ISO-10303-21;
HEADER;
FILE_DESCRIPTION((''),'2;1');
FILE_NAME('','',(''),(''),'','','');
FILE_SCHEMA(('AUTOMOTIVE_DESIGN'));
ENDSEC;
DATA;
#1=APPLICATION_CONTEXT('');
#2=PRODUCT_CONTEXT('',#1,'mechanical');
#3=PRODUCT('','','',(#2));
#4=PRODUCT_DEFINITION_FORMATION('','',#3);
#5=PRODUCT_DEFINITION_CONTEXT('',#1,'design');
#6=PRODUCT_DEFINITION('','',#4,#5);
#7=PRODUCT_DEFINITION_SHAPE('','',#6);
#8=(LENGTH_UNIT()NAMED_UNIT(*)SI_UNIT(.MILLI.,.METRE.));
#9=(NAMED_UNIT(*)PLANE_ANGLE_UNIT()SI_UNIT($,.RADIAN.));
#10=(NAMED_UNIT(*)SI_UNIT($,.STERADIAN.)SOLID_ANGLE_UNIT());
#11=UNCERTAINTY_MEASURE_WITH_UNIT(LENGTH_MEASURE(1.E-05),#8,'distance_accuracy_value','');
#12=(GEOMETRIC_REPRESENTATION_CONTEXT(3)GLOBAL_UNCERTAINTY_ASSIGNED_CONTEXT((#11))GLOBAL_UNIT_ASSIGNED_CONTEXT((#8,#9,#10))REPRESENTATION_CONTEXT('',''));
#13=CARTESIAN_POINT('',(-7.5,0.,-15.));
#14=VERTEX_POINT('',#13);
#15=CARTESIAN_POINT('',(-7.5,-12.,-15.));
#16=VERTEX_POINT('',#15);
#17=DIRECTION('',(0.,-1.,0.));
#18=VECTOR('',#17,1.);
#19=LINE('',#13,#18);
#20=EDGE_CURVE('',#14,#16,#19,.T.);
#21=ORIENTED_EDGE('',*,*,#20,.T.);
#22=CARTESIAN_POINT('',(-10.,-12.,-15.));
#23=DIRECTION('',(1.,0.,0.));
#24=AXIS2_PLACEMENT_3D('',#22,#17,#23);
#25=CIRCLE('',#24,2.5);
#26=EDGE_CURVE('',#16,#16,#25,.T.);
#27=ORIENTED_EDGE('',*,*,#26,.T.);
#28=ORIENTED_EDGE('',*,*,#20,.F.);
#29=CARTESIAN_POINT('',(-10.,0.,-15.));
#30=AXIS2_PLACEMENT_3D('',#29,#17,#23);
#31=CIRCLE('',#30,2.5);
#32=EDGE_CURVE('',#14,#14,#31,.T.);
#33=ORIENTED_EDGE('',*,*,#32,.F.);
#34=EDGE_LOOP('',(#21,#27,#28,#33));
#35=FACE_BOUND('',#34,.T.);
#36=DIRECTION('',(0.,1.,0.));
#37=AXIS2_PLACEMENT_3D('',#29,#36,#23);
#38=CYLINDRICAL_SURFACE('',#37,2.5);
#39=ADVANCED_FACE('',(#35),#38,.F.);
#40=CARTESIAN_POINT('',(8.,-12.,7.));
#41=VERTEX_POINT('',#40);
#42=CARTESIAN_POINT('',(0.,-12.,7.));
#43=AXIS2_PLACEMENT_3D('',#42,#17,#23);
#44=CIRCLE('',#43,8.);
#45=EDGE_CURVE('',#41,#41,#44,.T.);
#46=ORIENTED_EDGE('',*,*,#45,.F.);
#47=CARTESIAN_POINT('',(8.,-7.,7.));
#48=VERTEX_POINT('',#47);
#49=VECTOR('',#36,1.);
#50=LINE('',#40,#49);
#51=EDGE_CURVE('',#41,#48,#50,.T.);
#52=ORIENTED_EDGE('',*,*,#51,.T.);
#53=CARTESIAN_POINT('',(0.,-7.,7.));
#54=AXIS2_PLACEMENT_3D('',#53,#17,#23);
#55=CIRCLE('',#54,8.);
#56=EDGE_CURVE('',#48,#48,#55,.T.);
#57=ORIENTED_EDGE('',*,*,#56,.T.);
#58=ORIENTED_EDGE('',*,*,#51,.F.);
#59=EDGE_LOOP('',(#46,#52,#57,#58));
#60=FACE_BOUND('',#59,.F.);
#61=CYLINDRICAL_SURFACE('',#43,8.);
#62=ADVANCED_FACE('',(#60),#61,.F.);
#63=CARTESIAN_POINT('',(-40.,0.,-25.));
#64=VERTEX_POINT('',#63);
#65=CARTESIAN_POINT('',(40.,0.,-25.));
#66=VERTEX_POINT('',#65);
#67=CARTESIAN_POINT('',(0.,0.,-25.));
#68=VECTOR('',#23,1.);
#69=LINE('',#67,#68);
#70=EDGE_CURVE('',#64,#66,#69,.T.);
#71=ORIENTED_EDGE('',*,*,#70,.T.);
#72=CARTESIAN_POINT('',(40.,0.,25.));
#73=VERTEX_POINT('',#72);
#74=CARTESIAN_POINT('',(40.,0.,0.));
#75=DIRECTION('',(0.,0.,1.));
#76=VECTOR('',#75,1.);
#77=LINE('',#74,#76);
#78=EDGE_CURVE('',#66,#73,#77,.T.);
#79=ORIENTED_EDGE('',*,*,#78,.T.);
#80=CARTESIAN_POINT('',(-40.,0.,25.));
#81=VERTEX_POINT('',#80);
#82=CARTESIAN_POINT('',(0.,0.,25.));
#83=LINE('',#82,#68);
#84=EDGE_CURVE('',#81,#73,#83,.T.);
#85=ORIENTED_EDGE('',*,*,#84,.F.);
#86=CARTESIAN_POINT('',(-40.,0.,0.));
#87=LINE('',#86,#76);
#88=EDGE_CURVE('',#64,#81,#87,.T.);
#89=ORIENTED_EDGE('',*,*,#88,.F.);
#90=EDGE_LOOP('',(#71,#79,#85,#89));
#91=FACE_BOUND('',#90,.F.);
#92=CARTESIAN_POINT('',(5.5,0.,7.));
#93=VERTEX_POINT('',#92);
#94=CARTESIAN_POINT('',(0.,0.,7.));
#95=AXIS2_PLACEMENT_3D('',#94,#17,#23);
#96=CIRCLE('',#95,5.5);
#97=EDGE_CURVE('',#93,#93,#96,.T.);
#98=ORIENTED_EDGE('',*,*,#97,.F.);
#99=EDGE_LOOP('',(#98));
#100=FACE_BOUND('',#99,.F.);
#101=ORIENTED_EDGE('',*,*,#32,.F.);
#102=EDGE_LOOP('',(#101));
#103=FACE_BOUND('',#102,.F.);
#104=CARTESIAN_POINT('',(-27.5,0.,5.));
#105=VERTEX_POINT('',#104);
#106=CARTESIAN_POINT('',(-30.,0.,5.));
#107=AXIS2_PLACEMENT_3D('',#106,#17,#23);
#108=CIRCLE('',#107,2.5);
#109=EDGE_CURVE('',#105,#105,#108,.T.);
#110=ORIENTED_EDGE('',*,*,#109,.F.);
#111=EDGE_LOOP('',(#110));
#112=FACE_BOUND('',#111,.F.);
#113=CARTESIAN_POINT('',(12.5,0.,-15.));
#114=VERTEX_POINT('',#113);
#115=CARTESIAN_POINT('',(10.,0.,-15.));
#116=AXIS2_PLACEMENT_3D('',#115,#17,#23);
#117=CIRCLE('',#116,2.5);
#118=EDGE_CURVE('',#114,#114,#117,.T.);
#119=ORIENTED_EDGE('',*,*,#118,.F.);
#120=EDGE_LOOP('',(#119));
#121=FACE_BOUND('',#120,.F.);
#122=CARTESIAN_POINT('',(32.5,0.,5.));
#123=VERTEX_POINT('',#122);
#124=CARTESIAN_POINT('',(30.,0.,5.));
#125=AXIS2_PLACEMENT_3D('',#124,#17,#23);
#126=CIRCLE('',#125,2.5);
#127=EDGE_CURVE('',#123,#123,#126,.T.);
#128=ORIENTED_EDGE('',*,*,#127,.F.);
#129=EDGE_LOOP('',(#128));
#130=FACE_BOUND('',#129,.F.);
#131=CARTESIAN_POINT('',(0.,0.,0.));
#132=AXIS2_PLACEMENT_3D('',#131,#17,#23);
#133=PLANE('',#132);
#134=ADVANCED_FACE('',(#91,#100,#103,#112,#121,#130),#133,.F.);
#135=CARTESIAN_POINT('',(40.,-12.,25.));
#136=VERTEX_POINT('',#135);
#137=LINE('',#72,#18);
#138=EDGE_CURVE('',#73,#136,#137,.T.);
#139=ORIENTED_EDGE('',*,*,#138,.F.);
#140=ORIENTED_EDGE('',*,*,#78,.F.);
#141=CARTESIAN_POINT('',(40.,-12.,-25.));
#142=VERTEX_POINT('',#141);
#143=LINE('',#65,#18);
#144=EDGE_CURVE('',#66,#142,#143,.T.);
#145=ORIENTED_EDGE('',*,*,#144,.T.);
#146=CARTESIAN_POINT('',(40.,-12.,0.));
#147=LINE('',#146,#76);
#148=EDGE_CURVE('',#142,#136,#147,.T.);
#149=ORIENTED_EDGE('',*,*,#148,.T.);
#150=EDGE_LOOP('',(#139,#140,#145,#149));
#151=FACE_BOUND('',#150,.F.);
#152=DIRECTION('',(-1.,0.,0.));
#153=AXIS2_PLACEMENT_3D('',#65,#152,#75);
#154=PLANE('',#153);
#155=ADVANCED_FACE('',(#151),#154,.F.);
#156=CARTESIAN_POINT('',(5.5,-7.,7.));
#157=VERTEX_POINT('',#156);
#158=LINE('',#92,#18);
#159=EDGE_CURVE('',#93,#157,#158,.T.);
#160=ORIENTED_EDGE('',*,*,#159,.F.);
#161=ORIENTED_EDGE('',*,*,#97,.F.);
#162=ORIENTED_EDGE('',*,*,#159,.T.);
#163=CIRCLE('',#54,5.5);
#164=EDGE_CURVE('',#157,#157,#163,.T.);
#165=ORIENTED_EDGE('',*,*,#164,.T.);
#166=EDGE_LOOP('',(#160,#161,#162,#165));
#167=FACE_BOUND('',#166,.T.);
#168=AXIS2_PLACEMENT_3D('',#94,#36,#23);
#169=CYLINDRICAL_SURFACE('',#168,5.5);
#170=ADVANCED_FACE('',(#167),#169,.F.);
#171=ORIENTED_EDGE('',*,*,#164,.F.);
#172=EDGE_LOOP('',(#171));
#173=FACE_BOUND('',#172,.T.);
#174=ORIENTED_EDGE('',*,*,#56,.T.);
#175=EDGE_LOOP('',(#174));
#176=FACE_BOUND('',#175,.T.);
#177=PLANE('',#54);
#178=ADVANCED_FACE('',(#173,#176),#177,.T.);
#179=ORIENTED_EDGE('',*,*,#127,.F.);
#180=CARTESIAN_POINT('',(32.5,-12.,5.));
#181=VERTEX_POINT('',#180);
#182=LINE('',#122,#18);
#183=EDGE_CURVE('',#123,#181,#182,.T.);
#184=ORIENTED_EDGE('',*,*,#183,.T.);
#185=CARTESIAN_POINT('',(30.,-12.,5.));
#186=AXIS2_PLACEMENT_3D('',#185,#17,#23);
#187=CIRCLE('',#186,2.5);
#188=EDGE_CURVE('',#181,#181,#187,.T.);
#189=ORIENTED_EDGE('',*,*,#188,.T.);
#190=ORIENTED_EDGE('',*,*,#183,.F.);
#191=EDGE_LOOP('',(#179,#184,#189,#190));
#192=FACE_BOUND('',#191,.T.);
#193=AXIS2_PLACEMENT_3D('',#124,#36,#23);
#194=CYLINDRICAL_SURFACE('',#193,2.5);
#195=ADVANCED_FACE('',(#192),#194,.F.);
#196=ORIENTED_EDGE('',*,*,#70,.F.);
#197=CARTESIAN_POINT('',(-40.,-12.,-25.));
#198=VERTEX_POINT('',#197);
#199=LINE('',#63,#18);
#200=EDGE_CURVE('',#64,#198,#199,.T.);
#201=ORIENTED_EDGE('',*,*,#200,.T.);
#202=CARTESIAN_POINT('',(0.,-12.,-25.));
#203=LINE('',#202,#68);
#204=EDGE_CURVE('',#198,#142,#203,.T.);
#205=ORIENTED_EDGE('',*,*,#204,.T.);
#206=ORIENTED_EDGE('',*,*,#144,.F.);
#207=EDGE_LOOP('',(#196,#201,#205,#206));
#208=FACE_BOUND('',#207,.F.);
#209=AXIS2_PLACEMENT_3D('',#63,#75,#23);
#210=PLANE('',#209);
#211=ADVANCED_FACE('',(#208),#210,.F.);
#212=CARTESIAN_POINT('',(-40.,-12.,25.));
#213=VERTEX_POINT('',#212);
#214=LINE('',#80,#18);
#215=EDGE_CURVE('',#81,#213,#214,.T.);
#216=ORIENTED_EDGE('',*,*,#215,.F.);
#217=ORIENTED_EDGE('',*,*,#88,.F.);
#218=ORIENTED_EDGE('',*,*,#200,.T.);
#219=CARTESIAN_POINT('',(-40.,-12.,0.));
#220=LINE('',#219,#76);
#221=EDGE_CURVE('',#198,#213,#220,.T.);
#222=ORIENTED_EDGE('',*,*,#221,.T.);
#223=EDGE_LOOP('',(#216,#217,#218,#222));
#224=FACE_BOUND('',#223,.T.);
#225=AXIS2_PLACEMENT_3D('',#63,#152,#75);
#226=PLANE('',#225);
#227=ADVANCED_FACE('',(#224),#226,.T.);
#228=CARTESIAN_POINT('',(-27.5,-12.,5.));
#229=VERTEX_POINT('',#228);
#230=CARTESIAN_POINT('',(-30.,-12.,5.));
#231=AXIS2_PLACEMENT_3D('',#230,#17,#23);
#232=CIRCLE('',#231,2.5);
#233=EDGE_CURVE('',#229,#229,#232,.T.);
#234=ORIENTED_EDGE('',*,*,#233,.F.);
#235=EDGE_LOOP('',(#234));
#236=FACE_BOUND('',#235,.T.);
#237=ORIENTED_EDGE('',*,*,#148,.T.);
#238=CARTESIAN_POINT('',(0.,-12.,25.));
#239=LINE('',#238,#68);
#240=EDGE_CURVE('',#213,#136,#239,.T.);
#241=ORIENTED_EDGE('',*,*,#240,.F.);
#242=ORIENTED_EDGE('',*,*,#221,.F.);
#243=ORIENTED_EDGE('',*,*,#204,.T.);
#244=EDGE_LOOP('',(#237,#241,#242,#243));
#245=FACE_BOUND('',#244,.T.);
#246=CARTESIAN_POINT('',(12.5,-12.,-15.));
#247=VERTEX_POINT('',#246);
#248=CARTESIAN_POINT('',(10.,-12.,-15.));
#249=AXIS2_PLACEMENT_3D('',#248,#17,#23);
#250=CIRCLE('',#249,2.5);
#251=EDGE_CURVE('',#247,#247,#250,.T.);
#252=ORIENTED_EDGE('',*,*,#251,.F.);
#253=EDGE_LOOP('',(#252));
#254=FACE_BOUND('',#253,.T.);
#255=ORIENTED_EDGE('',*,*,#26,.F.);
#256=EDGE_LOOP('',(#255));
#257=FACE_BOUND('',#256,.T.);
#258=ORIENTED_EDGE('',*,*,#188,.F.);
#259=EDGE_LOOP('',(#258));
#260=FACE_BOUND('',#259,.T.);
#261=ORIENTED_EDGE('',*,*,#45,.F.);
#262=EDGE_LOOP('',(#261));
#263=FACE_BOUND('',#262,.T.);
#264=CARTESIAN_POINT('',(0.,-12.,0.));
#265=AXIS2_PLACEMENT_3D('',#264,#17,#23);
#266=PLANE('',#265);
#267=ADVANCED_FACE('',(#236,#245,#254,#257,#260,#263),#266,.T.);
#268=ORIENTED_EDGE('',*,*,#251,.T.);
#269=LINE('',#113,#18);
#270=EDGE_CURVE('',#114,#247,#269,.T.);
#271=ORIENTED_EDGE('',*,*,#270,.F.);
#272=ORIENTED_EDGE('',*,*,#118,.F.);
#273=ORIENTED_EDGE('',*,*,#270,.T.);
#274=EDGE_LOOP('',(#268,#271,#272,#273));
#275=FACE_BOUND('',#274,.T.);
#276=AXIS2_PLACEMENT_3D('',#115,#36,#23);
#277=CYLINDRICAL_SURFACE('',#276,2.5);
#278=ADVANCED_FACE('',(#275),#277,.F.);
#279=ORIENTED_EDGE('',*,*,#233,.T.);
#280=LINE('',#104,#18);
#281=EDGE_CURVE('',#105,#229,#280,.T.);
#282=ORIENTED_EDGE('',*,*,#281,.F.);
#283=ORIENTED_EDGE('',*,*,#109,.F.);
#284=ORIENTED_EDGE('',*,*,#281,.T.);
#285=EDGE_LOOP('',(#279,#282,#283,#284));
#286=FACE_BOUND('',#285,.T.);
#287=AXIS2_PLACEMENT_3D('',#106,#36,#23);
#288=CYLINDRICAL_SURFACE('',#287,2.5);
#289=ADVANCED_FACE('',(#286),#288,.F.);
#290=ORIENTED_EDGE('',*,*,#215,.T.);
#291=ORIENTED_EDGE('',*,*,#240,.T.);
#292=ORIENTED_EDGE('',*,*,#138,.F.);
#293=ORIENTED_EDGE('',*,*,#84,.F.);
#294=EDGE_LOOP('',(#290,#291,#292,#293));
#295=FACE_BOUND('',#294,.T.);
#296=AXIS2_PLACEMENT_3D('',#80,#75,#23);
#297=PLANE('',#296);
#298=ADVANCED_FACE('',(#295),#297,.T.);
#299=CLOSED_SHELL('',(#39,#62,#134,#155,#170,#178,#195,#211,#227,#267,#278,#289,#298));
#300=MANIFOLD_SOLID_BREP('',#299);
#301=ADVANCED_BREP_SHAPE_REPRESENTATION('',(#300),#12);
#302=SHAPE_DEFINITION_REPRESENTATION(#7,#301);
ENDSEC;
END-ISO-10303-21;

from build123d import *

# Parameters (mm, degrees)
F0_W     = 80
F0_H     = 50
F0_R     = 2.5
F0_R_2   = 5.5
F1_DEPTH = 12
F2_R     = 8
F2_R_2   = 5.5
F3_DEPTH = 5


with BuildPart() as f1:
    # F0 (on Front) → F1 (new body)
    with BuildSketch(Plane.XZ):
        Rectangle(F0_W, F0_H)
        with Locations((-10, -15)):
            Circle(F0_R, mode=Mode.SUBTRACT)
        with Locations((10, -15)):
            Circle(F0_R, mode=Mode.SUBTRACT)
        with Locations((-30, 5)):
            Circle(F0_R, mode=Mode.SUBTRACT)
        with Locations((0, 7)):
            Circle(F0_R_2, mode=Mode.SUBTRACT)
        with Locations((30, 5)):
            Circle(F0_R, mode=Mode.SUBTRACT)
    extrude(amount=F1_DEPTH)

    # F2 (on face) → F3 (cut)
    with BuildSketch(Plane.XZ.offset(12)):
        with Locations((0, 7)):
            Circle(F2_R)
        with Locations((0, 7)):
            Circle(F2_R_2, mode=Mode.SUBTRACT)
    extrude(amount=-F3_DEPTH, mode=Mode.SUBTRACT)


solid = f1.part
